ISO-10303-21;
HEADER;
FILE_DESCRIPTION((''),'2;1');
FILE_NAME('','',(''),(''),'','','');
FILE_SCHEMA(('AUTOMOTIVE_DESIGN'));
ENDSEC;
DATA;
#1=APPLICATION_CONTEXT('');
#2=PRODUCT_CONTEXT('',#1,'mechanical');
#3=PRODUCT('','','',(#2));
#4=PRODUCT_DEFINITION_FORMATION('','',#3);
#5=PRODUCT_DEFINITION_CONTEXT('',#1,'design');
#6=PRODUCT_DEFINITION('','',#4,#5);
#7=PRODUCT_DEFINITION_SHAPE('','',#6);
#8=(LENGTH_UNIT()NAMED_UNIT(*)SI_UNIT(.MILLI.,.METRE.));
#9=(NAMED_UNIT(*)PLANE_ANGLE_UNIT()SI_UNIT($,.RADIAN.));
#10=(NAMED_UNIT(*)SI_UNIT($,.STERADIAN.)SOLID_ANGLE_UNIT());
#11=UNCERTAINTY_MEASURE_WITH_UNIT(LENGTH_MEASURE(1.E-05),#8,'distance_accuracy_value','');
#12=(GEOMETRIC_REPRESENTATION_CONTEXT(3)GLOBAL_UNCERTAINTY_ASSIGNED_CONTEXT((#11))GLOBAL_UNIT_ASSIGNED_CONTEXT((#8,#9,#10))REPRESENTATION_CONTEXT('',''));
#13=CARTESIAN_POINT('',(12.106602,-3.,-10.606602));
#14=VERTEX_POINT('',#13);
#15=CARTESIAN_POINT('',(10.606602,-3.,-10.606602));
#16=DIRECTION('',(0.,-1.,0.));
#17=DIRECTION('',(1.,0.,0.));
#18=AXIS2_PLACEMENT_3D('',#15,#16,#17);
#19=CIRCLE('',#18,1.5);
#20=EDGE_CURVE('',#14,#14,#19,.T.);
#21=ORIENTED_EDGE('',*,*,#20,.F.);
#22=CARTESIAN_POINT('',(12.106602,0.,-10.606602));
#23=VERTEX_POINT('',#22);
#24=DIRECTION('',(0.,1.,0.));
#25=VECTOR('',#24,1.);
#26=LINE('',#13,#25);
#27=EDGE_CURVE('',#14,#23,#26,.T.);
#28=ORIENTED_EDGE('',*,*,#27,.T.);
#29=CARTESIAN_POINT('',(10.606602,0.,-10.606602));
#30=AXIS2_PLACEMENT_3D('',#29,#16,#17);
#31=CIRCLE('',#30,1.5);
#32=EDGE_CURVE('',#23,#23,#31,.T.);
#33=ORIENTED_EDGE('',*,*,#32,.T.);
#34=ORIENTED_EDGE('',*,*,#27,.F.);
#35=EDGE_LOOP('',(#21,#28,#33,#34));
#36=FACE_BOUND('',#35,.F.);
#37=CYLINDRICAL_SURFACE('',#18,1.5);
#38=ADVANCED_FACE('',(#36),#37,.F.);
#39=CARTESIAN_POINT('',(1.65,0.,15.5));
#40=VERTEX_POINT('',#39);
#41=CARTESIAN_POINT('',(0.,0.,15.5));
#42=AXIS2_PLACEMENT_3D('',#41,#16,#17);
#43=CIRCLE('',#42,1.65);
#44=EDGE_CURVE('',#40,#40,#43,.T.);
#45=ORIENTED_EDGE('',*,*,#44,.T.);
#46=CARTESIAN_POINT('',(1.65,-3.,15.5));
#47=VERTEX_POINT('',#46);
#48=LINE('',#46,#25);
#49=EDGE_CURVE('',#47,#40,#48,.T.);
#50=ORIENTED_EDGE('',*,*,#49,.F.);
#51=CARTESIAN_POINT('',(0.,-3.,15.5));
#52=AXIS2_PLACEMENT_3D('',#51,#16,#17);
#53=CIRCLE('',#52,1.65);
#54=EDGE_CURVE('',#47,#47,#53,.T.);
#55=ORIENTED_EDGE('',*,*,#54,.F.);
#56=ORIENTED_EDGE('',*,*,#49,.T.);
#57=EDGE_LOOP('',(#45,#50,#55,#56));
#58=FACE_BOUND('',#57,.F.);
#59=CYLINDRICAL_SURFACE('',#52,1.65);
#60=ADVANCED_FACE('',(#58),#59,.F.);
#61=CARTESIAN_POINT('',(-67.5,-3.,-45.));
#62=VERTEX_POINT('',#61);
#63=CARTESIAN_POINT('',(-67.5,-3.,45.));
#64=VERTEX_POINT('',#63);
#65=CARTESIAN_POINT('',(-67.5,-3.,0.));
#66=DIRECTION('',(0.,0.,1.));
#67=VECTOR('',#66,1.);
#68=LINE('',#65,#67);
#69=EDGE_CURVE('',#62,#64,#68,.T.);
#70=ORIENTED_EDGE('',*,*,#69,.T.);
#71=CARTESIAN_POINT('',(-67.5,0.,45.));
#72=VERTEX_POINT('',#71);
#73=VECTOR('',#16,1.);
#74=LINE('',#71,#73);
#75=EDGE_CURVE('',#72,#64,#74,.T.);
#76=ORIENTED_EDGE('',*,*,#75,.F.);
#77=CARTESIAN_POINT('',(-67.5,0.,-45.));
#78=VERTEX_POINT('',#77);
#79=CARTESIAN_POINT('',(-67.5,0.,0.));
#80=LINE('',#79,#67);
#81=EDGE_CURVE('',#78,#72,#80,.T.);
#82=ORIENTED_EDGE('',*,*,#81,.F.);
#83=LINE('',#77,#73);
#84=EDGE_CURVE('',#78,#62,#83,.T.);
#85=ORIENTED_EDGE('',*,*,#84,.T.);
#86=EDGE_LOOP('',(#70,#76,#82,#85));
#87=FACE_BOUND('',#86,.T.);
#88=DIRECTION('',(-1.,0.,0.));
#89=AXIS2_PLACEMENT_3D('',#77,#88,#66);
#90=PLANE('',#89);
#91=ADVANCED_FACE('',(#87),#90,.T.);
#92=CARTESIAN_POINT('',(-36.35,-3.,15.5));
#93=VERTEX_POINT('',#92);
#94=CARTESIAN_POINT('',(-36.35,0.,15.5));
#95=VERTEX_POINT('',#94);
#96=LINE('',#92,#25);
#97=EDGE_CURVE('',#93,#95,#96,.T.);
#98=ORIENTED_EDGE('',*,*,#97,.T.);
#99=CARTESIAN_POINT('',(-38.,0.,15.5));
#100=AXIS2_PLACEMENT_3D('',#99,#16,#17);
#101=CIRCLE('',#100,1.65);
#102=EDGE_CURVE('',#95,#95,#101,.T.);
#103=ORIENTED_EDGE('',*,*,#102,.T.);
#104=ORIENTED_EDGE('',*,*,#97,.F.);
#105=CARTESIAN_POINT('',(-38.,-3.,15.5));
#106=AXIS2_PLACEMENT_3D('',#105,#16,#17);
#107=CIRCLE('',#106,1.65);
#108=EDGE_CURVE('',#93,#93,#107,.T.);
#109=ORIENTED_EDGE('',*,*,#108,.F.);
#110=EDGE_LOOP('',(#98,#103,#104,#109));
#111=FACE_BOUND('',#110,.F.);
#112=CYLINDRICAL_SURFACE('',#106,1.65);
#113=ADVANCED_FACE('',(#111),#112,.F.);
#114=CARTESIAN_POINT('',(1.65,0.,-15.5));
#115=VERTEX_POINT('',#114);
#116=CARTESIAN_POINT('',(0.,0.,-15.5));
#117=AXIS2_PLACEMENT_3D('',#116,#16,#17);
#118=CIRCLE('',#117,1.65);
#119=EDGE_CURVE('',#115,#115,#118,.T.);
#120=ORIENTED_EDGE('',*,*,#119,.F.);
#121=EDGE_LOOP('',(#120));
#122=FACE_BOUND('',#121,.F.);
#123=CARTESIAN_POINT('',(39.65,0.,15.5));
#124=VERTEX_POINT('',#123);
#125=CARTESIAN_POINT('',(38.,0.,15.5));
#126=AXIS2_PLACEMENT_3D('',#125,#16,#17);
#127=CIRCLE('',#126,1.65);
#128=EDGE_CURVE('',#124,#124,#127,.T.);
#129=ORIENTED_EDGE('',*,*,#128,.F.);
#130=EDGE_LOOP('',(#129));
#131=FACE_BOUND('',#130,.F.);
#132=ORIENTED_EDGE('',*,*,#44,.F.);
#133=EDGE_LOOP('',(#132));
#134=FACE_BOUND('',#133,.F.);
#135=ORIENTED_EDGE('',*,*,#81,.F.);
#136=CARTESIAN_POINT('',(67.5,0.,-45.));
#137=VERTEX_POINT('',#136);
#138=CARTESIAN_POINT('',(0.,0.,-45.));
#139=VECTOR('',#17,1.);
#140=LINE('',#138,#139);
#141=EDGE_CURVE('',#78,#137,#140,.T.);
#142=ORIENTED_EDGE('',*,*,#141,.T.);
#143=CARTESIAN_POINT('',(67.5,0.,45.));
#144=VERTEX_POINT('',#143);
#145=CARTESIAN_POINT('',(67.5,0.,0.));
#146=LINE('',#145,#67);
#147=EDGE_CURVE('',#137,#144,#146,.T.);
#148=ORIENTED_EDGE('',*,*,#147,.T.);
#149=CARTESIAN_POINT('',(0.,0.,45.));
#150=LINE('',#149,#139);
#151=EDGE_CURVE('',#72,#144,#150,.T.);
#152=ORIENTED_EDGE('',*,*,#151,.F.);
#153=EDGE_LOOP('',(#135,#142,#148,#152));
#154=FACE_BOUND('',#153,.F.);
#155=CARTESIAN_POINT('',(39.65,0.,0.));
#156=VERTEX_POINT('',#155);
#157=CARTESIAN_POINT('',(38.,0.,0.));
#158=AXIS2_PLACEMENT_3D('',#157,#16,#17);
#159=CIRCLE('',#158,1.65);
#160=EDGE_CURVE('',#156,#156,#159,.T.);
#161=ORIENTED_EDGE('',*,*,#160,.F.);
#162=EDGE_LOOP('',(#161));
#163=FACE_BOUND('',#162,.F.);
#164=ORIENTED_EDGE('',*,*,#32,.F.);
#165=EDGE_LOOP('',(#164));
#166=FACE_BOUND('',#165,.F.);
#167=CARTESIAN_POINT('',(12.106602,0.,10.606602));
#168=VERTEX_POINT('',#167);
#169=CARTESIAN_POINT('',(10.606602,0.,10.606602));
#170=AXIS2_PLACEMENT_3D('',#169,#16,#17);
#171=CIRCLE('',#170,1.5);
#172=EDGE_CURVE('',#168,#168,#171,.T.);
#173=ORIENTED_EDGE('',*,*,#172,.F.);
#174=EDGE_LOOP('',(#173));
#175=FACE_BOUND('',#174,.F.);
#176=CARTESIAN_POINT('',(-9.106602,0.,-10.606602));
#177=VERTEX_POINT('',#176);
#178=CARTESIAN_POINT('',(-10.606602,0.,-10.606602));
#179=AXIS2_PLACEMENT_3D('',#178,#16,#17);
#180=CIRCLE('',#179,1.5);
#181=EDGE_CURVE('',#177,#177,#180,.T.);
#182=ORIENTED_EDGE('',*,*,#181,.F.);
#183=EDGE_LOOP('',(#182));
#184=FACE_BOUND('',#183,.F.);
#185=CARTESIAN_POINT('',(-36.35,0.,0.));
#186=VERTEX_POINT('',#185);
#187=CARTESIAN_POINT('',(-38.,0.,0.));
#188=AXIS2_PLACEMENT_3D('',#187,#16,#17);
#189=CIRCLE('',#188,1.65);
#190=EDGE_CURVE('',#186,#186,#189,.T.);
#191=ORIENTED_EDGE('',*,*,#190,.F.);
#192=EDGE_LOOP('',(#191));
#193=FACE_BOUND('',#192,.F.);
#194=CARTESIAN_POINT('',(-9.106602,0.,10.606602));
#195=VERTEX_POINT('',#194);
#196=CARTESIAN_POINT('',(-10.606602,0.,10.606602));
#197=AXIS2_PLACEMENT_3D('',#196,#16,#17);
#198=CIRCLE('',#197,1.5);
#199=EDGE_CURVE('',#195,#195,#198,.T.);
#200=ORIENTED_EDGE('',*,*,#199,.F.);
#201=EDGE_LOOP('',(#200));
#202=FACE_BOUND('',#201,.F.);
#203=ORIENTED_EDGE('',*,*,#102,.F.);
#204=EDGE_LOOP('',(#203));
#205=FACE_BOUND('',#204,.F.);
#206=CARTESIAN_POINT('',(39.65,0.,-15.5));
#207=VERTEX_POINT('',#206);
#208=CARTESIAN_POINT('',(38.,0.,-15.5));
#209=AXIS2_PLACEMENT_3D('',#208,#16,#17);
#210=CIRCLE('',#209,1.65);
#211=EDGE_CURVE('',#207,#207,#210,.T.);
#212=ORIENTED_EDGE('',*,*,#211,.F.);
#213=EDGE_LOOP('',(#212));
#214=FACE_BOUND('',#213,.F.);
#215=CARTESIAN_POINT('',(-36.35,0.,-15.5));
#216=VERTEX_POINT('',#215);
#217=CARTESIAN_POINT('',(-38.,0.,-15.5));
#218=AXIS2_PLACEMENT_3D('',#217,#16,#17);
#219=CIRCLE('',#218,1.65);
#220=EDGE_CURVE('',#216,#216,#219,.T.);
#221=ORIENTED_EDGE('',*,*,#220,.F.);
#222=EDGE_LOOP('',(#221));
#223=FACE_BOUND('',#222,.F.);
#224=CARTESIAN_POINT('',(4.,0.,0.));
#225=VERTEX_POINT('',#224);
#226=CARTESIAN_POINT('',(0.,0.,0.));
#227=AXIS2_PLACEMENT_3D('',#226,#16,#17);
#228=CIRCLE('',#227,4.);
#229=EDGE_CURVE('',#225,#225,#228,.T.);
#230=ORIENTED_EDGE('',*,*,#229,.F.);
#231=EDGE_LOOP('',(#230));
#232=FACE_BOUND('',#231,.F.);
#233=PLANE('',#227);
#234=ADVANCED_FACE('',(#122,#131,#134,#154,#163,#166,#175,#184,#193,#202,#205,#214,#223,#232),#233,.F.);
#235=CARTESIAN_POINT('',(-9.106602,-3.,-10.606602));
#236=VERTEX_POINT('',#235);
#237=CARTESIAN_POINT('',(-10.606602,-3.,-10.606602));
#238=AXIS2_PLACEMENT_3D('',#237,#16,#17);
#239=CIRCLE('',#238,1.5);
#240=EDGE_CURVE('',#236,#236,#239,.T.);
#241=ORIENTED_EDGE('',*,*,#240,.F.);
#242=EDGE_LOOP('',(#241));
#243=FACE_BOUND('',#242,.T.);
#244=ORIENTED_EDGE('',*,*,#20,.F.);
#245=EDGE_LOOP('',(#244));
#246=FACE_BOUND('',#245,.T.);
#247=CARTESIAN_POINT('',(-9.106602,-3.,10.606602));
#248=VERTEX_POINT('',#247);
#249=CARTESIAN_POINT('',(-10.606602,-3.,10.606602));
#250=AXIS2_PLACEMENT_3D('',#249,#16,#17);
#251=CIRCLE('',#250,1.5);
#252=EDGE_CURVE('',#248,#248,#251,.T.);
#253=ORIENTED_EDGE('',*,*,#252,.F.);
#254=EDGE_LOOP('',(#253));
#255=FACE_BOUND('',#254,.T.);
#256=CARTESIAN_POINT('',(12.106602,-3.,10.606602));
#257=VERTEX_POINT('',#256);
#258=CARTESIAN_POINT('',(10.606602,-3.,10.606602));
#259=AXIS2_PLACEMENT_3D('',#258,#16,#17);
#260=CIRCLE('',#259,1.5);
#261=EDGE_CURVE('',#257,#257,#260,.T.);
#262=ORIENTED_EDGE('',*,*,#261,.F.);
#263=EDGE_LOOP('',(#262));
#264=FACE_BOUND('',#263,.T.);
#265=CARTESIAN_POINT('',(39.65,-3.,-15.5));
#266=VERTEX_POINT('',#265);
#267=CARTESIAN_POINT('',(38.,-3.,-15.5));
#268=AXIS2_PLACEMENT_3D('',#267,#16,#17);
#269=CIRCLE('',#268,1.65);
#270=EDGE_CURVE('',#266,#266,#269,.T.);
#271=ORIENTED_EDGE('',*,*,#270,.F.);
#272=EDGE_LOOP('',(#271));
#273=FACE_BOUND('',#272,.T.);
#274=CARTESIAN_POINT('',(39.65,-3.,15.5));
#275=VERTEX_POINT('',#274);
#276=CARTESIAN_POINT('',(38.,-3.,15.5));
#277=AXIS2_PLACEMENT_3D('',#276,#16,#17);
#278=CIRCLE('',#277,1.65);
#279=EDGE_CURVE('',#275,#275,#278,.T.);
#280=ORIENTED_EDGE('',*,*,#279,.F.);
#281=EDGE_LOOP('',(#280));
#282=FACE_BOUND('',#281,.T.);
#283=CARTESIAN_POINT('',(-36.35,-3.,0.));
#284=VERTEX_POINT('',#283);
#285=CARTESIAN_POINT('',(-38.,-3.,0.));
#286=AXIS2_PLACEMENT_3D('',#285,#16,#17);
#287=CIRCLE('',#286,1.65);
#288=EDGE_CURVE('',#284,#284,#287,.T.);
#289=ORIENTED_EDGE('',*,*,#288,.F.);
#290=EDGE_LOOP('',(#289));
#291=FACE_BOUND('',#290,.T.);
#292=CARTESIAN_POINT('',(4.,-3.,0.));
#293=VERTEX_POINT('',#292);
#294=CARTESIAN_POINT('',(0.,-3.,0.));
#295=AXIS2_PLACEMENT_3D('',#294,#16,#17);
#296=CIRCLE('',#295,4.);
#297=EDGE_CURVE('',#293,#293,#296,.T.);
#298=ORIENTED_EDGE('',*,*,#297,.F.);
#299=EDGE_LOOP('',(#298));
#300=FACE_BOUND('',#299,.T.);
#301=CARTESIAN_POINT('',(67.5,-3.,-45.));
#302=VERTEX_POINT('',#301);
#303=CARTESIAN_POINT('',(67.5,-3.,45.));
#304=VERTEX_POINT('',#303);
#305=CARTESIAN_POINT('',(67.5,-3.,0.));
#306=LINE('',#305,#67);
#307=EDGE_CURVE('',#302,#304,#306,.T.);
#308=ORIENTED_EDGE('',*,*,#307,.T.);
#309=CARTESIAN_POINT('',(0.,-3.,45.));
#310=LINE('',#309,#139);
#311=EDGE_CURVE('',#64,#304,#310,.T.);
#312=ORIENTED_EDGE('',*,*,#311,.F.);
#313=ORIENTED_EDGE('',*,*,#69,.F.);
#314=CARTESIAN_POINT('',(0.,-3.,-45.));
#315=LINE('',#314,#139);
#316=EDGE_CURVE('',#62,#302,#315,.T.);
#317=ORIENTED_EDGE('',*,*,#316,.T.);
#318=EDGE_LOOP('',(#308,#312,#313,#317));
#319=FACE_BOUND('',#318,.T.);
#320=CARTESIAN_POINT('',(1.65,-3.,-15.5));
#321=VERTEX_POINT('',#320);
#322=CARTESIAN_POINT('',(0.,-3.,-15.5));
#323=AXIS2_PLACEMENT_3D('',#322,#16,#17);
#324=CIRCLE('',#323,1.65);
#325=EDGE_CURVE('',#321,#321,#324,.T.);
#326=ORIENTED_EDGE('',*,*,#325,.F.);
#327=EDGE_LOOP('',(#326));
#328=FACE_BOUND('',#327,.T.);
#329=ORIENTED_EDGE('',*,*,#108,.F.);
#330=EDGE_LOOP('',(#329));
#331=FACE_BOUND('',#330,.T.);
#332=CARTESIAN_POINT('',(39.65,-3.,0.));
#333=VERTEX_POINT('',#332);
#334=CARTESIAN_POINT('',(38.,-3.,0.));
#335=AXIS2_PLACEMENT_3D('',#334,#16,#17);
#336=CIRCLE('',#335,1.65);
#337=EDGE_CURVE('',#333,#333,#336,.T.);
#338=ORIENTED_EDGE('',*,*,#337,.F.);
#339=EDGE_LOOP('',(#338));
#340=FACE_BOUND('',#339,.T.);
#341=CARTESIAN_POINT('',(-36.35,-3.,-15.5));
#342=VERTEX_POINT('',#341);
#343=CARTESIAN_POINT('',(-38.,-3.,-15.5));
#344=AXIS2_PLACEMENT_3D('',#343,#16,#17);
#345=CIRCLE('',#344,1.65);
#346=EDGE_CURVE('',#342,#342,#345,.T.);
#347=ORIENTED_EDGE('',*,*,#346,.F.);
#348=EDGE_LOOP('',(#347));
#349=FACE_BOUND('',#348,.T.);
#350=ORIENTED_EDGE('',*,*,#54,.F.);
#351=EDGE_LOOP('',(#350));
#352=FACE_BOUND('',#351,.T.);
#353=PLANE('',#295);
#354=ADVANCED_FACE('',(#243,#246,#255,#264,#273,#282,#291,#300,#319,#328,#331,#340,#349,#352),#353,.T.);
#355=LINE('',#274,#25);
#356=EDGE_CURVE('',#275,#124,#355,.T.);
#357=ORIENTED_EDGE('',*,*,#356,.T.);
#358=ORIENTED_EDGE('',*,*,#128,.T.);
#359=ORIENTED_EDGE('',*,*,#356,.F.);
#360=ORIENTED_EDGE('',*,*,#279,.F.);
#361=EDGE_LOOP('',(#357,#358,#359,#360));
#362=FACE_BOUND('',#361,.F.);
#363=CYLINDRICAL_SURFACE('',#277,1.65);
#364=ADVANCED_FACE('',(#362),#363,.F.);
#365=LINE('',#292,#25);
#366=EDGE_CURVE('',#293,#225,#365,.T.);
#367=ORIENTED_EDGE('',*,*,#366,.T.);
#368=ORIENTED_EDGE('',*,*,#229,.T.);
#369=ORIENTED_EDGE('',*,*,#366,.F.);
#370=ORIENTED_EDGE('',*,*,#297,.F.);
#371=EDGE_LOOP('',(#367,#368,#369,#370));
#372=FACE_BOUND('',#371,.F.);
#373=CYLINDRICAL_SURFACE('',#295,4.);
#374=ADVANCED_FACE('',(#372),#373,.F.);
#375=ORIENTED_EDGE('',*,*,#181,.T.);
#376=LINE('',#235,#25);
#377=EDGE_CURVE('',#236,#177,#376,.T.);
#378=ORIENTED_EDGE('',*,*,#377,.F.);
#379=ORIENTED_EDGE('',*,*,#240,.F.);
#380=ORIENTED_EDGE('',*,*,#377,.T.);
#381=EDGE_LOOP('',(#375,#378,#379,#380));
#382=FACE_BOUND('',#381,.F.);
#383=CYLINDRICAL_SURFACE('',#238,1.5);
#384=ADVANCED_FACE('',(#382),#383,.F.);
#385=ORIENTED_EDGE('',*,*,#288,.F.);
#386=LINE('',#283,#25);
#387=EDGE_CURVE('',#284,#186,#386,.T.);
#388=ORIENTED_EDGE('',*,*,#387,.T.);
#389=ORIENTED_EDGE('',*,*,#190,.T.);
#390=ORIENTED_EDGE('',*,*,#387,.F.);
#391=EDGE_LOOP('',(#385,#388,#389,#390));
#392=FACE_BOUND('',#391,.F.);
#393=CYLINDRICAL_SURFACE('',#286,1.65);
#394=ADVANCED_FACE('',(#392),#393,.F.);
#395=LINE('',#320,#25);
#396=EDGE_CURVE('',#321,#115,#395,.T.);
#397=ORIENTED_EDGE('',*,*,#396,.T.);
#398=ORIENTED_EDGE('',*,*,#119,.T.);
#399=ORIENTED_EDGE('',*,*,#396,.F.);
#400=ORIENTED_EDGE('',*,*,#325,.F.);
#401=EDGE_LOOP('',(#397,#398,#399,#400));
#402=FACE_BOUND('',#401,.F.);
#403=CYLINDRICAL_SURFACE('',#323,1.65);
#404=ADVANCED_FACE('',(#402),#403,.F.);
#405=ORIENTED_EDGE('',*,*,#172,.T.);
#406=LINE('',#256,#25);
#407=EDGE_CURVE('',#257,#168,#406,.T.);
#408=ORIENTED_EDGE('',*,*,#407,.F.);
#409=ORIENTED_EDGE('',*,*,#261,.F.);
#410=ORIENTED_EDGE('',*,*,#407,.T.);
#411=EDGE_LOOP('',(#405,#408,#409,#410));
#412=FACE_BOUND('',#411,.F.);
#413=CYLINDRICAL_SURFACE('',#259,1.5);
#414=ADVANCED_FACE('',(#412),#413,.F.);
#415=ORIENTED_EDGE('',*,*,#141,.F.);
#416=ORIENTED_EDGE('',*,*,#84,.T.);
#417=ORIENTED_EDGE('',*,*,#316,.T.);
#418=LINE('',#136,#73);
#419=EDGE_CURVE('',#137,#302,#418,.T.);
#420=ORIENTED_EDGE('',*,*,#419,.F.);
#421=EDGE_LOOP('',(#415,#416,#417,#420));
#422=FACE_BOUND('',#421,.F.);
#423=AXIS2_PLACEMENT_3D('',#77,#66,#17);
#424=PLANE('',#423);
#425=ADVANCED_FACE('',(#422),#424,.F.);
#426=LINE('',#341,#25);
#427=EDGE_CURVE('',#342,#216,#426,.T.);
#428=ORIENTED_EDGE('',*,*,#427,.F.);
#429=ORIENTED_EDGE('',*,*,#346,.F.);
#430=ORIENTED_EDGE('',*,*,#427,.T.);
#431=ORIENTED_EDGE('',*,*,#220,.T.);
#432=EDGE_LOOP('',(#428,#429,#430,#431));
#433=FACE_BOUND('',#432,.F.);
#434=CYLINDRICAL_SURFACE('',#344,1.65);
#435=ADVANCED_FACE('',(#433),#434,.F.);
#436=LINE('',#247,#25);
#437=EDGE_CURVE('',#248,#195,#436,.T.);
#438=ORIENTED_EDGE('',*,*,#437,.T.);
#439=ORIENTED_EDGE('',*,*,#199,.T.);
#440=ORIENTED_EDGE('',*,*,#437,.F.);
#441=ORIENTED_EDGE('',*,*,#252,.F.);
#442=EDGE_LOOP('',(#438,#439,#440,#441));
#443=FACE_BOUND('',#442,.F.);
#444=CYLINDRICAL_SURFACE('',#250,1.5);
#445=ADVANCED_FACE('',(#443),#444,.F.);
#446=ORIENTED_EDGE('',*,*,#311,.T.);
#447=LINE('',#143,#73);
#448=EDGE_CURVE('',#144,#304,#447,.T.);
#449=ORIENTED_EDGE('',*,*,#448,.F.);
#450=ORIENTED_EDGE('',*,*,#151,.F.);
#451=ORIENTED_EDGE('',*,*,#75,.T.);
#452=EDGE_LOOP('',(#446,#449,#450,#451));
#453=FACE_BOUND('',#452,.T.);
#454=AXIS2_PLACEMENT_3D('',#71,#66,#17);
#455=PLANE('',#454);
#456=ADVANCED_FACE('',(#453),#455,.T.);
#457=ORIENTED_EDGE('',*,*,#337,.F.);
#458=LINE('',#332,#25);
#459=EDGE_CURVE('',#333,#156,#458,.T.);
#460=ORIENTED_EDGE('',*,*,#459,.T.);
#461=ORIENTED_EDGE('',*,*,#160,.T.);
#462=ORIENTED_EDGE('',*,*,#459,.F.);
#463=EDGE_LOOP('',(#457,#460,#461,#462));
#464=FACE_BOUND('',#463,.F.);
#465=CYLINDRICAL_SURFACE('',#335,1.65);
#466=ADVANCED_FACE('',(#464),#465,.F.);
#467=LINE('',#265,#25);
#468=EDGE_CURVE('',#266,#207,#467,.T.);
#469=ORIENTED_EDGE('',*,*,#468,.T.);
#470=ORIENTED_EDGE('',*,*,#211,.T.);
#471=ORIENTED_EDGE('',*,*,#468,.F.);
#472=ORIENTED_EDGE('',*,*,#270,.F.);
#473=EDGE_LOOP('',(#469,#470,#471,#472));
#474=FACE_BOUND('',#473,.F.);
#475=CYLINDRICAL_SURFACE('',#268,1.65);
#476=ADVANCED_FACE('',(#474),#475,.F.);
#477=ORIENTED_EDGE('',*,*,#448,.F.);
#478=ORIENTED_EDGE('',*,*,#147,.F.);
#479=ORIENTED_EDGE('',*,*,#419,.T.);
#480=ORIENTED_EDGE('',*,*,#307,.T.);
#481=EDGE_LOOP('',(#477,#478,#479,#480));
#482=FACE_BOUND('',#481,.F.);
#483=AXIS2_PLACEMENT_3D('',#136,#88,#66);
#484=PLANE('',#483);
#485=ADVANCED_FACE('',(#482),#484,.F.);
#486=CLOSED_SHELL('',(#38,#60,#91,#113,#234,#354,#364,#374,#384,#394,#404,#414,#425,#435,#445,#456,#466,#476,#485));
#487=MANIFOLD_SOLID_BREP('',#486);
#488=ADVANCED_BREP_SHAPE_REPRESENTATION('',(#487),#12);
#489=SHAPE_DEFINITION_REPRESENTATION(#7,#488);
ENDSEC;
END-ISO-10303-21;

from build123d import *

# Parameters (mm, degrees)
F0_W     = 135
F0_H     = 90
F1_DEPTH = 3
F2_R     = 1.65
F2_R_2   = 1.5
F2_R_3   = 4
F3_DEPTH = 3.001


with BuildPart() as f1:
    # F0 (on Front) → F1 (new body)
    with BuildSketch(Plane.XZ):
        Rectangle(F0_W, F0_H)
    extrude(amount=F1_DEPTH)

    # F2 (on face) → F3 (cut, through all)
    with BuildSketch(Plane.XZ.offset(3)):
        with Locations((0, 15.5)):
            Circle(F2_R)
        with Locations((0, -15.5)):
            Circle(F2_R)
        with Locations((38, 0)):
            Circle(F2_R)
        with Locations((-38, 0)):
            Circle(F2_R)
        with Locations((-38, 15.5)):
            Circle(F2_R)
        with Locations((-38, -15.5)):
            Circle(F2_R)
        with Locations((38, 15.5)):
            Circle(F2_R)
        with Locations((38, -15.5)):
            Circle(F2_R)
        with Locations((10.606602, 10.606602)):
            Circle(F2_R_2)
        with Locations((-10.606602, -10.606602)):
            Circle(F2_R_2)
        with Locations((-10.606602, 10.606602)):
            Circle(F2_R_2)
        with Locations((10.606602, -10.606602)):
            Circle(F2_R_2)
        Circle(F2_R_3)
    extrude(amount=-F3_DEPTH, mode=Mode.SUBTRACT)


solid = f1.part
